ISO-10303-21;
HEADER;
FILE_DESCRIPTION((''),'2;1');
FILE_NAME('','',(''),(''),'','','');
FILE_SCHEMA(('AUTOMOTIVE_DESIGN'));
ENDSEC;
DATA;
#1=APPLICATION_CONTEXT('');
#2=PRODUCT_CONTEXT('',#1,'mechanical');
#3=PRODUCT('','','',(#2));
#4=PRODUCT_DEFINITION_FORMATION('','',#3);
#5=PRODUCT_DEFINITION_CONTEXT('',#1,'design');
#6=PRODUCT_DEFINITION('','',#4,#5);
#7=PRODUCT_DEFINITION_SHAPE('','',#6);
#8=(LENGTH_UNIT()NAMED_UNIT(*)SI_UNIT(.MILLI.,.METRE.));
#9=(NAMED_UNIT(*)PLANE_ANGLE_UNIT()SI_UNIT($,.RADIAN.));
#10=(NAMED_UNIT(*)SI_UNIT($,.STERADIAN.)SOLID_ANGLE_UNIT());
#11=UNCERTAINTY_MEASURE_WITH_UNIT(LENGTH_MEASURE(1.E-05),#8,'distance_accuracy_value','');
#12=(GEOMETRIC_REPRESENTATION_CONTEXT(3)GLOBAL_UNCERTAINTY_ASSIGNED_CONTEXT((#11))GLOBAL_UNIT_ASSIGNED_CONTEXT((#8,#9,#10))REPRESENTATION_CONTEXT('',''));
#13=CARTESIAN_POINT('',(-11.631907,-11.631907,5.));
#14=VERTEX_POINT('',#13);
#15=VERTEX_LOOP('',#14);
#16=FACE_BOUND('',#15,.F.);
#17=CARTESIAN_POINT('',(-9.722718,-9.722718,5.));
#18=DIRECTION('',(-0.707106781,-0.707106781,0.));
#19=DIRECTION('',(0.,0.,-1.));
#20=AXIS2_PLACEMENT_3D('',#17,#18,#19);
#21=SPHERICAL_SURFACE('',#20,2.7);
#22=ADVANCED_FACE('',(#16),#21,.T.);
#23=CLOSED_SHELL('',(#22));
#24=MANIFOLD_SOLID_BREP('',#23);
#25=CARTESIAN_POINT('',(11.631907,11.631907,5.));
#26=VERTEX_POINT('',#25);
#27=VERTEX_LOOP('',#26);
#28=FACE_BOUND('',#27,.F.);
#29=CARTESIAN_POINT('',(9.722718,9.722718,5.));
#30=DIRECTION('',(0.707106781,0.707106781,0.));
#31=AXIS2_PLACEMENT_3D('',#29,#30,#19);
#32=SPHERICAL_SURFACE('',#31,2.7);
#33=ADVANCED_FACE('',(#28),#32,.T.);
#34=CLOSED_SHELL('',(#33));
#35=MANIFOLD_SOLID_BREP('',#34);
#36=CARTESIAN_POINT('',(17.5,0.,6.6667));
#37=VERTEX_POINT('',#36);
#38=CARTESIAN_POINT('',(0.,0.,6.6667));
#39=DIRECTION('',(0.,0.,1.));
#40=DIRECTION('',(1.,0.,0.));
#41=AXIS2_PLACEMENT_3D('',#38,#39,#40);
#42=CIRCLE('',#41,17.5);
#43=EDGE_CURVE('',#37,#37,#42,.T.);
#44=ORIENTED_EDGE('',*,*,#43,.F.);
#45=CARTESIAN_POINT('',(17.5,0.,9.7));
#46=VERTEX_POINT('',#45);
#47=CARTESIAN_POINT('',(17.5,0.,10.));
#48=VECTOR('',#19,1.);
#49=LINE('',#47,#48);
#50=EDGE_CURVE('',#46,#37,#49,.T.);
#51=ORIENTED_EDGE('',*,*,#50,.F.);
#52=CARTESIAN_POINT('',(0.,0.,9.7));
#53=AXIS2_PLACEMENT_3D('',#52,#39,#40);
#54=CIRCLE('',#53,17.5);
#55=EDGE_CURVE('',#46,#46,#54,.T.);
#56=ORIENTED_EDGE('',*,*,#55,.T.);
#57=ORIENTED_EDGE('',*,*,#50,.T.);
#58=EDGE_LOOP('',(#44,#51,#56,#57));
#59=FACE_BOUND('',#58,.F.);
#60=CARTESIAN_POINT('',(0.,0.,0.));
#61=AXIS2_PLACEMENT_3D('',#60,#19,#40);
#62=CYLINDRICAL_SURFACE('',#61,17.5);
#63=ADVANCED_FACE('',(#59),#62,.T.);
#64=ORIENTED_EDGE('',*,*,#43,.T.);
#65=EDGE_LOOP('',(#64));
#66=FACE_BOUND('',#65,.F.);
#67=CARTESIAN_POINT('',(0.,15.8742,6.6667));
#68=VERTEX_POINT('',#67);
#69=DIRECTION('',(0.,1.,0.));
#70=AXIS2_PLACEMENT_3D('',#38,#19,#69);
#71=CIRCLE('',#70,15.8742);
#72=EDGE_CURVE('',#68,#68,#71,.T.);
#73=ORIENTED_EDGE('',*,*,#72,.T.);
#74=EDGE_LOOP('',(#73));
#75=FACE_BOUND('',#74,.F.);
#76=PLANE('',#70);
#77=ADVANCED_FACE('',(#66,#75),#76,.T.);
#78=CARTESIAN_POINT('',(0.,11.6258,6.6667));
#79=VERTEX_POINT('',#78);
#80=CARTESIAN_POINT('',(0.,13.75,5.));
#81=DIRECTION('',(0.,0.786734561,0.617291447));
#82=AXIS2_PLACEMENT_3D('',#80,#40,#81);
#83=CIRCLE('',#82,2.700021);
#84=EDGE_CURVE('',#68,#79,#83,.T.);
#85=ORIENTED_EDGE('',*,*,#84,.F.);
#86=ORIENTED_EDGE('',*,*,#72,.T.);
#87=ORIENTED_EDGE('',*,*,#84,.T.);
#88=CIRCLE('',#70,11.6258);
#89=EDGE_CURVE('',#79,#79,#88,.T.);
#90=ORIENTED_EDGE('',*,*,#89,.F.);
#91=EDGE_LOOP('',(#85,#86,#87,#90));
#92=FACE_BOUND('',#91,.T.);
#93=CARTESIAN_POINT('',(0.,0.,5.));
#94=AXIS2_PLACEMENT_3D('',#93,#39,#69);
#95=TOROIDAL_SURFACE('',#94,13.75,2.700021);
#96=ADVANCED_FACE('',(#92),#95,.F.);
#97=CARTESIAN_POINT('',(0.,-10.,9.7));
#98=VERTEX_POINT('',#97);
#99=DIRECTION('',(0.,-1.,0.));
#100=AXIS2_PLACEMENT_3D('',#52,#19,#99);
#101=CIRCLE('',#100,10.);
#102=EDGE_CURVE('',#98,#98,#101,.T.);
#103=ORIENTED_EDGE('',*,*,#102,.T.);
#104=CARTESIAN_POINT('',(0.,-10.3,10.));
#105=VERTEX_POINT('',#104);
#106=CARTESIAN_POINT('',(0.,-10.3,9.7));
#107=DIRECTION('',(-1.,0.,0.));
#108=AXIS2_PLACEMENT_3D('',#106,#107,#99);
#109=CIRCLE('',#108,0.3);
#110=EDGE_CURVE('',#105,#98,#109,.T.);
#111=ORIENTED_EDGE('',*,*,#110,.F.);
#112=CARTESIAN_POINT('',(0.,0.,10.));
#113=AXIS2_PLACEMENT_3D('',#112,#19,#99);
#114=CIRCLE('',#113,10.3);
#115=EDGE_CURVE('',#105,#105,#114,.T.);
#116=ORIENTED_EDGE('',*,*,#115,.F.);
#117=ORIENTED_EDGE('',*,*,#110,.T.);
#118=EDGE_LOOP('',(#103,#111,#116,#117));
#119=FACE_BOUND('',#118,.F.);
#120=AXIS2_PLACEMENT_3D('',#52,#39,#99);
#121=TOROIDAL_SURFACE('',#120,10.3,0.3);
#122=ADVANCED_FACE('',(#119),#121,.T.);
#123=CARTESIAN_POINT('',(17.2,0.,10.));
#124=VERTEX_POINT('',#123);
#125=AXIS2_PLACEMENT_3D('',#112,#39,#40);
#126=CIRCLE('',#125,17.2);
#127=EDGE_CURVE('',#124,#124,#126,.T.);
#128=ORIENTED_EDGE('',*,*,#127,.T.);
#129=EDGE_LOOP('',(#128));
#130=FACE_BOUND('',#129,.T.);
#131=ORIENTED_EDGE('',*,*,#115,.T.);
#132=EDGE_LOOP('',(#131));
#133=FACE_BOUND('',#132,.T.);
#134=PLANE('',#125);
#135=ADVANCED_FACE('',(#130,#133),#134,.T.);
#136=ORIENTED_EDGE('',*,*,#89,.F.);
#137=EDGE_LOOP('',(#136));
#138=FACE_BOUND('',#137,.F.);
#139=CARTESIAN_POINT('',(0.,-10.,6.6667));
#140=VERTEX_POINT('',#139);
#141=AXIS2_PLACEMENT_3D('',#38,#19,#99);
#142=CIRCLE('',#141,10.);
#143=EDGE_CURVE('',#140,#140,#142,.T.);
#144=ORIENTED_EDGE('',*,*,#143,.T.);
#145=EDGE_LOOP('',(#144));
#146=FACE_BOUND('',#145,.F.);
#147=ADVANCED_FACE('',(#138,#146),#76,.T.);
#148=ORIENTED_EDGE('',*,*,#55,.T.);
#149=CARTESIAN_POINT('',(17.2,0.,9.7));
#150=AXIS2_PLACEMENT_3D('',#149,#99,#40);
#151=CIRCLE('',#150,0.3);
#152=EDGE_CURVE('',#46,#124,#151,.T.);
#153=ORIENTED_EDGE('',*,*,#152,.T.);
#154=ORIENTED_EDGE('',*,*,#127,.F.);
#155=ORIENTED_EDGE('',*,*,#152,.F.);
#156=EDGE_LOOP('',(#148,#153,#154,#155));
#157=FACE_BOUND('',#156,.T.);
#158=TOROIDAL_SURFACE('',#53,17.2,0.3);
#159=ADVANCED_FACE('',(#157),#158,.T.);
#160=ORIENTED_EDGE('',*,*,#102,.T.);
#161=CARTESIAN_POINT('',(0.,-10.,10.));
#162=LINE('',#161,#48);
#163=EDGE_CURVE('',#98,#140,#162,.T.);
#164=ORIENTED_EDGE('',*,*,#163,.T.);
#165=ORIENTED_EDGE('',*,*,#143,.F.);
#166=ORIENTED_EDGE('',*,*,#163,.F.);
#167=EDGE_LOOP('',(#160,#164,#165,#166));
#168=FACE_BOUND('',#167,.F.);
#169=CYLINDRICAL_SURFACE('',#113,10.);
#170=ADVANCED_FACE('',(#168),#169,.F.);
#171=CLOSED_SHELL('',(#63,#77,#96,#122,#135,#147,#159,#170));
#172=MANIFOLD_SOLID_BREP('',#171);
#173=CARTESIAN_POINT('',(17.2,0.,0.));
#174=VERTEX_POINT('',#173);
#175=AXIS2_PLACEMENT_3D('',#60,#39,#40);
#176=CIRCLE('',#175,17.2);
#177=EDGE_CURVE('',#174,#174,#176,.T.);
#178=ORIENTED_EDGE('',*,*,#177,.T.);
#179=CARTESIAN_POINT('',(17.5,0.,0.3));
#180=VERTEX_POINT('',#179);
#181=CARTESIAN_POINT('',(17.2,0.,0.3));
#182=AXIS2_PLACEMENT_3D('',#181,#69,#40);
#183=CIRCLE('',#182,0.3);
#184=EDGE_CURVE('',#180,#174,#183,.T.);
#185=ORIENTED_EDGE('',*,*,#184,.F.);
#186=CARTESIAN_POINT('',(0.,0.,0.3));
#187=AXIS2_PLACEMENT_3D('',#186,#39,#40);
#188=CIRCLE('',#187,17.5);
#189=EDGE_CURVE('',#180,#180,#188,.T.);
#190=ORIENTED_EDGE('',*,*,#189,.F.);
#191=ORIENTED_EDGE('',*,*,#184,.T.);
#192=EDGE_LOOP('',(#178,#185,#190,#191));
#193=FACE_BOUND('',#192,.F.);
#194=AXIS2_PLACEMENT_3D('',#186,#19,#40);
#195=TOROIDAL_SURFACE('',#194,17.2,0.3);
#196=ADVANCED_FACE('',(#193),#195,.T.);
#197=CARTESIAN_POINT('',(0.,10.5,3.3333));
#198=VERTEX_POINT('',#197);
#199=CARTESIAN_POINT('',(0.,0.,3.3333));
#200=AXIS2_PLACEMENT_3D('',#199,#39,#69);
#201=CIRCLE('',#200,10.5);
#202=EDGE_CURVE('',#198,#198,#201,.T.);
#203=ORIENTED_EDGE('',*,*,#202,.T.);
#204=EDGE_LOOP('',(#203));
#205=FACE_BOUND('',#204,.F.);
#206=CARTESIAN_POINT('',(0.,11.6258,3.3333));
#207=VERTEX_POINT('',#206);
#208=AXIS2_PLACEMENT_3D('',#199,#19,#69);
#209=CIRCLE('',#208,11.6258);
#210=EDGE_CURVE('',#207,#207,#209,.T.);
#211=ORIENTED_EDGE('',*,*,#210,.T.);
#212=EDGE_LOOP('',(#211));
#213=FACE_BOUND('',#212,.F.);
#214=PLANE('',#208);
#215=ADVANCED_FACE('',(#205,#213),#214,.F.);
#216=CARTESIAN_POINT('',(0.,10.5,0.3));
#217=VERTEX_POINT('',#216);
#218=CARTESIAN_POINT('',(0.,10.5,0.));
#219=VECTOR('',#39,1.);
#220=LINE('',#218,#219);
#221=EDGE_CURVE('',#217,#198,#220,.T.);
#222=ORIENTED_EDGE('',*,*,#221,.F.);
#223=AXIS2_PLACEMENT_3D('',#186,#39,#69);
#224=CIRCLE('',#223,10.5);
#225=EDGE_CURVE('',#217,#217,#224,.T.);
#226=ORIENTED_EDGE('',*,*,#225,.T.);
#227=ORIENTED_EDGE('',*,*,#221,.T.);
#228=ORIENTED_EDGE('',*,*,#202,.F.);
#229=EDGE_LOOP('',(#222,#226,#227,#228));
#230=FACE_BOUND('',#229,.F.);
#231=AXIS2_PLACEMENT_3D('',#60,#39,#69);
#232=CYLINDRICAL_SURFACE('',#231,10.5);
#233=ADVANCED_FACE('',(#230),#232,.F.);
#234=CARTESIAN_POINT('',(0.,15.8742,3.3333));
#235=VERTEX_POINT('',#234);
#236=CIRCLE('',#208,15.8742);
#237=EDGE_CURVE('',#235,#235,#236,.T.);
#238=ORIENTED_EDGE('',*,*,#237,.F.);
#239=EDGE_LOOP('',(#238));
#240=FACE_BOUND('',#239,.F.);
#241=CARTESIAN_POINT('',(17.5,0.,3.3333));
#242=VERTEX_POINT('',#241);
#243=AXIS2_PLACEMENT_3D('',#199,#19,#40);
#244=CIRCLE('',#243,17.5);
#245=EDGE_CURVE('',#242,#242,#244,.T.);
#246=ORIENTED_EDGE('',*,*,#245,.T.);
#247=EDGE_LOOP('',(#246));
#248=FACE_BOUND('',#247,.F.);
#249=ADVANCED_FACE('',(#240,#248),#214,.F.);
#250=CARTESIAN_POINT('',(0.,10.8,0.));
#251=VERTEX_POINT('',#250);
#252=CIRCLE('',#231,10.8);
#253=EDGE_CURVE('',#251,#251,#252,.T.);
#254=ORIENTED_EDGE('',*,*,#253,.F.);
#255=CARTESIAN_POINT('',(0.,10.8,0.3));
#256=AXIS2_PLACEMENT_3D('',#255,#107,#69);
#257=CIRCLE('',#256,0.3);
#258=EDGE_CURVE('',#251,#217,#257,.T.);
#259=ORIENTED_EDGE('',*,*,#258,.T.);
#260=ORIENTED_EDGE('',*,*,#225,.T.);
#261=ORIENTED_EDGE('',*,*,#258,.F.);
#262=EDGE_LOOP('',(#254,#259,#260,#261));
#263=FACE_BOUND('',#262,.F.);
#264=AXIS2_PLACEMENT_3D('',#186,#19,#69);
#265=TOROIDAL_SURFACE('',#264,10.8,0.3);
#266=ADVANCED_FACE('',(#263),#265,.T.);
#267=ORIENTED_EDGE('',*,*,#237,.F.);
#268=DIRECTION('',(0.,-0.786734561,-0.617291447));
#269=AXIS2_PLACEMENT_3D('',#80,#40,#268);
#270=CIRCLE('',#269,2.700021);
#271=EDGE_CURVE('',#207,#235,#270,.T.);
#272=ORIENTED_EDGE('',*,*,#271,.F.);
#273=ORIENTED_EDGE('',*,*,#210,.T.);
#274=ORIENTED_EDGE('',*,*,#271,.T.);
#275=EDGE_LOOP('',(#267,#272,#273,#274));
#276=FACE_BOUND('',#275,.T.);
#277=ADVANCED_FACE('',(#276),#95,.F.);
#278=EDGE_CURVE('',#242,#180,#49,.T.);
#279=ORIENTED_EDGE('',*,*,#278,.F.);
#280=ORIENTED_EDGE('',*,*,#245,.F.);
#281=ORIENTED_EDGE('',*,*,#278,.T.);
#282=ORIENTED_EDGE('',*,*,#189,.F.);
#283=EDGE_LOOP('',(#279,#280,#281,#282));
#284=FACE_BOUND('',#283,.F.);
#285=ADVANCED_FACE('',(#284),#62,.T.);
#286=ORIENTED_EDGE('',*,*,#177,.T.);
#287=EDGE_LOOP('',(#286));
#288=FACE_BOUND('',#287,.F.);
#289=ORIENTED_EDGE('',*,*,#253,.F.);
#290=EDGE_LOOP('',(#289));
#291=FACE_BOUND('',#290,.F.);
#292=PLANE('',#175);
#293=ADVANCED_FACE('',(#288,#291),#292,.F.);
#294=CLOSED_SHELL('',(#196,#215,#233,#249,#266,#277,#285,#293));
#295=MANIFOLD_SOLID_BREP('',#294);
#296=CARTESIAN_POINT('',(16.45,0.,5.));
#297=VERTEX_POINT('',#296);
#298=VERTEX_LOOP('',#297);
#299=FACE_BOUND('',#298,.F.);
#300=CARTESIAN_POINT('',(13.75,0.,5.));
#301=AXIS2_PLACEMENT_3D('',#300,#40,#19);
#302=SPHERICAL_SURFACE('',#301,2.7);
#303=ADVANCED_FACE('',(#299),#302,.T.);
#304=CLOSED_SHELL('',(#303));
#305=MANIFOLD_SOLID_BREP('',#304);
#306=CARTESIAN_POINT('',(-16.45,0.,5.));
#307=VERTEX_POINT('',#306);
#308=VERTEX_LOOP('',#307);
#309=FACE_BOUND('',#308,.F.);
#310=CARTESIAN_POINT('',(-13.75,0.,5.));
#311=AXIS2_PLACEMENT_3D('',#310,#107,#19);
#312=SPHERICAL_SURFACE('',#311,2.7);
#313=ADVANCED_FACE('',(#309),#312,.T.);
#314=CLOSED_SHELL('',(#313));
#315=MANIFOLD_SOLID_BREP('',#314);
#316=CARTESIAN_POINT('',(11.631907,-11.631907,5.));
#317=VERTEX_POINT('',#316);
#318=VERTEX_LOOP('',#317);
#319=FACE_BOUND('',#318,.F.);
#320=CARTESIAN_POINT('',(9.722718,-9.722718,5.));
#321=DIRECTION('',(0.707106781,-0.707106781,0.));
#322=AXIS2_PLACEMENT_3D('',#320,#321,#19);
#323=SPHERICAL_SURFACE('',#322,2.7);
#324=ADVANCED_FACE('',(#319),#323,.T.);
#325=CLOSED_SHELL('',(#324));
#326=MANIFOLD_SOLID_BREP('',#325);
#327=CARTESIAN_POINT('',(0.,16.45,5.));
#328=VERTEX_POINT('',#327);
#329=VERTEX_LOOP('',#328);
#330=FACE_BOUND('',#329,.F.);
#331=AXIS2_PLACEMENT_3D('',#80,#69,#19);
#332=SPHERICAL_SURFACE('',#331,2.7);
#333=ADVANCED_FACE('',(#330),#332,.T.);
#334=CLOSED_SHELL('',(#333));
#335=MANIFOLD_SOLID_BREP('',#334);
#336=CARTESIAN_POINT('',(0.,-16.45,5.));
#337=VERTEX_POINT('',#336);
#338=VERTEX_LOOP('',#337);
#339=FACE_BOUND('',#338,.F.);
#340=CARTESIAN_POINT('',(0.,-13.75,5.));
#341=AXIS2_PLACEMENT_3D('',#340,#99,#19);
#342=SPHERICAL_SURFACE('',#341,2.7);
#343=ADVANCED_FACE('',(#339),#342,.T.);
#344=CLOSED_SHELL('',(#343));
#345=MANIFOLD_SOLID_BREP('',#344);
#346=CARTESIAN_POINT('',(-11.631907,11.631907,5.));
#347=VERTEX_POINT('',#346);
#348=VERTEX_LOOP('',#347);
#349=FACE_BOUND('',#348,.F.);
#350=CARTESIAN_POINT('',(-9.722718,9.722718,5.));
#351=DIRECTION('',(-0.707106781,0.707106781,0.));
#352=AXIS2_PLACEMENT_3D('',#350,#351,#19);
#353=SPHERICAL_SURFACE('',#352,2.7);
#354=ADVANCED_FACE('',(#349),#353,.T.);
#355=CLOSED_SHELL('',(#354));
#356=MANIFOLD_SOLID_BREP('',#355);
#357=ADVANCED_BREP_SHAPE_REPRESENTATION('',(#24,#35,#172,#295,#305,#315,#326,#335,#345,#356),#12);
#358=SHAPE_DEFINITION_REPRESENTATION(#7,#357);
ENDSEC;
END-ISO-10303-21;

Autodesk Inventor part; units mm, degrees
ref_plane "WorkPlane1" through (0, 0, 0) normal (0, 0, 1) x (1, 0, 0)
sketch "Sketch1" plane through (0, 0, 0) normal (0, 0, 1) x (1, 0, 0)
  point P0 (0, 0)
ref_plane "Work Plane2" through (0, 0, -10) normal (0, 0, 1) x (1, 0, 0)
ref_plane "WorkPlane2" through (0, 0, 9) normal (0, 0, 1) x (1, 0, 0)
sketch "Sketch2" plane through (0, 0, 0) normal (0, 0, 1) x (1, 0, 0)
  circle A0 centre (0, 0) radius 17.5
  dimension "d2" = 35
extrude "Extrusion1" add sketch "Sketch2" along normal blind 5
sketch "Sketch3" plane through (0, 0, 9) normal (0, 0, 1) x (1, 0, 0)
  point P0 (0, 0)
sketch "Sketch4" plane through (0, 0, 5) normal (0, 0, 1) x (1, 0, 0)
  circle A0 centre (0, 0) radius 17.5
  circle A1 centre (0, 0) radius 17.5 construction
  dimension "d8" = 35
extrude "Extrusion2" add sketch "Sketch4" along normal blind 5
sketch "Sketch5" plane through (0, 0, 10) normal (0, 0, 1) x (1, 0, 0)
  circle A0 centre (0, 0) radius 17.5 projected
hole "Hole1" at (0, 0, 10) direction (0, 0, -1) diameter 20 depth 5 tip angle 118
sketch "Sketch6" plane through (0, 0, 0) normal (0, 0, -1) x (-1, 0, 0)
  circle A0 centre (0, 0) radius 17.5 projected
hole "Hole2" at (0, 0, 0) direction (0, 0, 1) diameter 21 depth 5 tip angle 118
sketch "Sketch7" plane through (0, 0, 0) normal (1, 0, 0) x (0, 1, 0)
  arc A0 (11.6258, 3.3333) -> (15.8742, 3.3333) centre (13.75, 5) ccw
  line L0 (17.5, 3.3333) -> (15.8742, 3.3333)
  line L1 (17.5, 6.6667) -> (17.5, 3.3333)
  line L2 (15.8742, 6.6667) -> (17.5, 6.6667)
  arc A1 (15.8742, 6.6667) -> (11.6258, 6.6667) centre (13.75, 5) ccw
  line L3 (0, 6.6667) -> (11.6258, 6.6667)
  line L4 (0, 3.3333) -> (0, 6.6667)
  line L5 (11.6258, 3.3333) -> (0, 3.3333)
  line L6 (-17.5, 0) -> (17.5, 0) construction
  line L7 (-10, 10) -> (10, 10) construction
  line L8 (0, 19.3691) -> (0, -14.8691)
  line L9 (0, -21.7167) -> (0, 26.2167) projected
  line L10 (17.5, 0) -> (17.5, 10) projected
  line L11 (0, 5) -> (-6.94, 5)
  line L12 (-17.5, 10) -> (17.5, 10) projected
  dimension "d27" = 2.7
  dimension "d36" = 10
  dimension "d37" = 3.3333
  dimension "d38" = 27.5
  dimension "d39" = 3.3333
revolve "Revolution1" cut sketch "Sketch7" angle 360 about axis through (0, 0, 19.3691) along (0, 0, -1) contours L5 L4 L3 A1 L2 L1 L0 A0
sketch "Sketch8" plane through (0, 0, 0) normal (1, 0, 0) x (0, 1, 0)
  line L0 (11.05, 5) -> (16.45, 5)
  arc A0 (11.05, 5) -> (16.45, 5) centre (13.75, 5) ccw
  line L1 (-17.5, 0) -> (17.5, 0) construction
  line L2 (11.05, 5) -> (16.45, 5)
  line L3 (0, 5) -> (-6.94, 5) projected
  line L4 (0, 19.3691) -> (0, -14.8691) projected
  dimension "d30" = 2.7
  dimension "d40" = 27.5
revolve "Revolution2" add sketch "Sketch8" angle 360 about axis through (0, 11.05, 5) along (0, -1, 0)
pattern_circular "PolarArray1" count 8 over 360 about axis through (0, 0, 0) along (0, 0, 1) of "Revolution2"
fillet "Fillet1" radius 0.3 4 edges at (0, -10.5, 0) (0, 10, 10) (-17.5, 0, 0) (-17.5, 0, 10)
equation "\"d12\" = Diam"
equation "\"d17\" = 0.5 * B"
equation "\"d19\" = DD1"
equation "\"d24\" = 0.5 * B"
equation "\"d35\" = r"
equation "\"d3\" = 0.5 * B"
equation "\"d8\" = Diam1"
equation "\"d9\" = 0.5 * B"
equation "\"d2\" = DD"
equation "\"d27\" = 0.5 * msp_dd0"
equation "\"d36\" = B"
equation "\"d37\" = 0.333333 * B"
equation "\"d38\" = msp_mdtds"
equation "\"d39\" = d37"
equation "\"d30\" = 0.5 * msp_dd0"
equation "\"d40\" = d38"
equation "\"Diam\" = 20"
equation "\"DD\" = 35"
equation "\"DD1\" = 21"
equation "\"B\" = 10"
equation "\"r\" = 0.3"
equation "\"Diam1\" = 35"
equation "\"msp_dd0\" = -0.36 * Diam + 0.36 * DD"
equation "\"msp_mdtds\" = 0.5 * Diam + 0.5 * DD"
properties part number "SKF51104" material "Steel, Mild"
